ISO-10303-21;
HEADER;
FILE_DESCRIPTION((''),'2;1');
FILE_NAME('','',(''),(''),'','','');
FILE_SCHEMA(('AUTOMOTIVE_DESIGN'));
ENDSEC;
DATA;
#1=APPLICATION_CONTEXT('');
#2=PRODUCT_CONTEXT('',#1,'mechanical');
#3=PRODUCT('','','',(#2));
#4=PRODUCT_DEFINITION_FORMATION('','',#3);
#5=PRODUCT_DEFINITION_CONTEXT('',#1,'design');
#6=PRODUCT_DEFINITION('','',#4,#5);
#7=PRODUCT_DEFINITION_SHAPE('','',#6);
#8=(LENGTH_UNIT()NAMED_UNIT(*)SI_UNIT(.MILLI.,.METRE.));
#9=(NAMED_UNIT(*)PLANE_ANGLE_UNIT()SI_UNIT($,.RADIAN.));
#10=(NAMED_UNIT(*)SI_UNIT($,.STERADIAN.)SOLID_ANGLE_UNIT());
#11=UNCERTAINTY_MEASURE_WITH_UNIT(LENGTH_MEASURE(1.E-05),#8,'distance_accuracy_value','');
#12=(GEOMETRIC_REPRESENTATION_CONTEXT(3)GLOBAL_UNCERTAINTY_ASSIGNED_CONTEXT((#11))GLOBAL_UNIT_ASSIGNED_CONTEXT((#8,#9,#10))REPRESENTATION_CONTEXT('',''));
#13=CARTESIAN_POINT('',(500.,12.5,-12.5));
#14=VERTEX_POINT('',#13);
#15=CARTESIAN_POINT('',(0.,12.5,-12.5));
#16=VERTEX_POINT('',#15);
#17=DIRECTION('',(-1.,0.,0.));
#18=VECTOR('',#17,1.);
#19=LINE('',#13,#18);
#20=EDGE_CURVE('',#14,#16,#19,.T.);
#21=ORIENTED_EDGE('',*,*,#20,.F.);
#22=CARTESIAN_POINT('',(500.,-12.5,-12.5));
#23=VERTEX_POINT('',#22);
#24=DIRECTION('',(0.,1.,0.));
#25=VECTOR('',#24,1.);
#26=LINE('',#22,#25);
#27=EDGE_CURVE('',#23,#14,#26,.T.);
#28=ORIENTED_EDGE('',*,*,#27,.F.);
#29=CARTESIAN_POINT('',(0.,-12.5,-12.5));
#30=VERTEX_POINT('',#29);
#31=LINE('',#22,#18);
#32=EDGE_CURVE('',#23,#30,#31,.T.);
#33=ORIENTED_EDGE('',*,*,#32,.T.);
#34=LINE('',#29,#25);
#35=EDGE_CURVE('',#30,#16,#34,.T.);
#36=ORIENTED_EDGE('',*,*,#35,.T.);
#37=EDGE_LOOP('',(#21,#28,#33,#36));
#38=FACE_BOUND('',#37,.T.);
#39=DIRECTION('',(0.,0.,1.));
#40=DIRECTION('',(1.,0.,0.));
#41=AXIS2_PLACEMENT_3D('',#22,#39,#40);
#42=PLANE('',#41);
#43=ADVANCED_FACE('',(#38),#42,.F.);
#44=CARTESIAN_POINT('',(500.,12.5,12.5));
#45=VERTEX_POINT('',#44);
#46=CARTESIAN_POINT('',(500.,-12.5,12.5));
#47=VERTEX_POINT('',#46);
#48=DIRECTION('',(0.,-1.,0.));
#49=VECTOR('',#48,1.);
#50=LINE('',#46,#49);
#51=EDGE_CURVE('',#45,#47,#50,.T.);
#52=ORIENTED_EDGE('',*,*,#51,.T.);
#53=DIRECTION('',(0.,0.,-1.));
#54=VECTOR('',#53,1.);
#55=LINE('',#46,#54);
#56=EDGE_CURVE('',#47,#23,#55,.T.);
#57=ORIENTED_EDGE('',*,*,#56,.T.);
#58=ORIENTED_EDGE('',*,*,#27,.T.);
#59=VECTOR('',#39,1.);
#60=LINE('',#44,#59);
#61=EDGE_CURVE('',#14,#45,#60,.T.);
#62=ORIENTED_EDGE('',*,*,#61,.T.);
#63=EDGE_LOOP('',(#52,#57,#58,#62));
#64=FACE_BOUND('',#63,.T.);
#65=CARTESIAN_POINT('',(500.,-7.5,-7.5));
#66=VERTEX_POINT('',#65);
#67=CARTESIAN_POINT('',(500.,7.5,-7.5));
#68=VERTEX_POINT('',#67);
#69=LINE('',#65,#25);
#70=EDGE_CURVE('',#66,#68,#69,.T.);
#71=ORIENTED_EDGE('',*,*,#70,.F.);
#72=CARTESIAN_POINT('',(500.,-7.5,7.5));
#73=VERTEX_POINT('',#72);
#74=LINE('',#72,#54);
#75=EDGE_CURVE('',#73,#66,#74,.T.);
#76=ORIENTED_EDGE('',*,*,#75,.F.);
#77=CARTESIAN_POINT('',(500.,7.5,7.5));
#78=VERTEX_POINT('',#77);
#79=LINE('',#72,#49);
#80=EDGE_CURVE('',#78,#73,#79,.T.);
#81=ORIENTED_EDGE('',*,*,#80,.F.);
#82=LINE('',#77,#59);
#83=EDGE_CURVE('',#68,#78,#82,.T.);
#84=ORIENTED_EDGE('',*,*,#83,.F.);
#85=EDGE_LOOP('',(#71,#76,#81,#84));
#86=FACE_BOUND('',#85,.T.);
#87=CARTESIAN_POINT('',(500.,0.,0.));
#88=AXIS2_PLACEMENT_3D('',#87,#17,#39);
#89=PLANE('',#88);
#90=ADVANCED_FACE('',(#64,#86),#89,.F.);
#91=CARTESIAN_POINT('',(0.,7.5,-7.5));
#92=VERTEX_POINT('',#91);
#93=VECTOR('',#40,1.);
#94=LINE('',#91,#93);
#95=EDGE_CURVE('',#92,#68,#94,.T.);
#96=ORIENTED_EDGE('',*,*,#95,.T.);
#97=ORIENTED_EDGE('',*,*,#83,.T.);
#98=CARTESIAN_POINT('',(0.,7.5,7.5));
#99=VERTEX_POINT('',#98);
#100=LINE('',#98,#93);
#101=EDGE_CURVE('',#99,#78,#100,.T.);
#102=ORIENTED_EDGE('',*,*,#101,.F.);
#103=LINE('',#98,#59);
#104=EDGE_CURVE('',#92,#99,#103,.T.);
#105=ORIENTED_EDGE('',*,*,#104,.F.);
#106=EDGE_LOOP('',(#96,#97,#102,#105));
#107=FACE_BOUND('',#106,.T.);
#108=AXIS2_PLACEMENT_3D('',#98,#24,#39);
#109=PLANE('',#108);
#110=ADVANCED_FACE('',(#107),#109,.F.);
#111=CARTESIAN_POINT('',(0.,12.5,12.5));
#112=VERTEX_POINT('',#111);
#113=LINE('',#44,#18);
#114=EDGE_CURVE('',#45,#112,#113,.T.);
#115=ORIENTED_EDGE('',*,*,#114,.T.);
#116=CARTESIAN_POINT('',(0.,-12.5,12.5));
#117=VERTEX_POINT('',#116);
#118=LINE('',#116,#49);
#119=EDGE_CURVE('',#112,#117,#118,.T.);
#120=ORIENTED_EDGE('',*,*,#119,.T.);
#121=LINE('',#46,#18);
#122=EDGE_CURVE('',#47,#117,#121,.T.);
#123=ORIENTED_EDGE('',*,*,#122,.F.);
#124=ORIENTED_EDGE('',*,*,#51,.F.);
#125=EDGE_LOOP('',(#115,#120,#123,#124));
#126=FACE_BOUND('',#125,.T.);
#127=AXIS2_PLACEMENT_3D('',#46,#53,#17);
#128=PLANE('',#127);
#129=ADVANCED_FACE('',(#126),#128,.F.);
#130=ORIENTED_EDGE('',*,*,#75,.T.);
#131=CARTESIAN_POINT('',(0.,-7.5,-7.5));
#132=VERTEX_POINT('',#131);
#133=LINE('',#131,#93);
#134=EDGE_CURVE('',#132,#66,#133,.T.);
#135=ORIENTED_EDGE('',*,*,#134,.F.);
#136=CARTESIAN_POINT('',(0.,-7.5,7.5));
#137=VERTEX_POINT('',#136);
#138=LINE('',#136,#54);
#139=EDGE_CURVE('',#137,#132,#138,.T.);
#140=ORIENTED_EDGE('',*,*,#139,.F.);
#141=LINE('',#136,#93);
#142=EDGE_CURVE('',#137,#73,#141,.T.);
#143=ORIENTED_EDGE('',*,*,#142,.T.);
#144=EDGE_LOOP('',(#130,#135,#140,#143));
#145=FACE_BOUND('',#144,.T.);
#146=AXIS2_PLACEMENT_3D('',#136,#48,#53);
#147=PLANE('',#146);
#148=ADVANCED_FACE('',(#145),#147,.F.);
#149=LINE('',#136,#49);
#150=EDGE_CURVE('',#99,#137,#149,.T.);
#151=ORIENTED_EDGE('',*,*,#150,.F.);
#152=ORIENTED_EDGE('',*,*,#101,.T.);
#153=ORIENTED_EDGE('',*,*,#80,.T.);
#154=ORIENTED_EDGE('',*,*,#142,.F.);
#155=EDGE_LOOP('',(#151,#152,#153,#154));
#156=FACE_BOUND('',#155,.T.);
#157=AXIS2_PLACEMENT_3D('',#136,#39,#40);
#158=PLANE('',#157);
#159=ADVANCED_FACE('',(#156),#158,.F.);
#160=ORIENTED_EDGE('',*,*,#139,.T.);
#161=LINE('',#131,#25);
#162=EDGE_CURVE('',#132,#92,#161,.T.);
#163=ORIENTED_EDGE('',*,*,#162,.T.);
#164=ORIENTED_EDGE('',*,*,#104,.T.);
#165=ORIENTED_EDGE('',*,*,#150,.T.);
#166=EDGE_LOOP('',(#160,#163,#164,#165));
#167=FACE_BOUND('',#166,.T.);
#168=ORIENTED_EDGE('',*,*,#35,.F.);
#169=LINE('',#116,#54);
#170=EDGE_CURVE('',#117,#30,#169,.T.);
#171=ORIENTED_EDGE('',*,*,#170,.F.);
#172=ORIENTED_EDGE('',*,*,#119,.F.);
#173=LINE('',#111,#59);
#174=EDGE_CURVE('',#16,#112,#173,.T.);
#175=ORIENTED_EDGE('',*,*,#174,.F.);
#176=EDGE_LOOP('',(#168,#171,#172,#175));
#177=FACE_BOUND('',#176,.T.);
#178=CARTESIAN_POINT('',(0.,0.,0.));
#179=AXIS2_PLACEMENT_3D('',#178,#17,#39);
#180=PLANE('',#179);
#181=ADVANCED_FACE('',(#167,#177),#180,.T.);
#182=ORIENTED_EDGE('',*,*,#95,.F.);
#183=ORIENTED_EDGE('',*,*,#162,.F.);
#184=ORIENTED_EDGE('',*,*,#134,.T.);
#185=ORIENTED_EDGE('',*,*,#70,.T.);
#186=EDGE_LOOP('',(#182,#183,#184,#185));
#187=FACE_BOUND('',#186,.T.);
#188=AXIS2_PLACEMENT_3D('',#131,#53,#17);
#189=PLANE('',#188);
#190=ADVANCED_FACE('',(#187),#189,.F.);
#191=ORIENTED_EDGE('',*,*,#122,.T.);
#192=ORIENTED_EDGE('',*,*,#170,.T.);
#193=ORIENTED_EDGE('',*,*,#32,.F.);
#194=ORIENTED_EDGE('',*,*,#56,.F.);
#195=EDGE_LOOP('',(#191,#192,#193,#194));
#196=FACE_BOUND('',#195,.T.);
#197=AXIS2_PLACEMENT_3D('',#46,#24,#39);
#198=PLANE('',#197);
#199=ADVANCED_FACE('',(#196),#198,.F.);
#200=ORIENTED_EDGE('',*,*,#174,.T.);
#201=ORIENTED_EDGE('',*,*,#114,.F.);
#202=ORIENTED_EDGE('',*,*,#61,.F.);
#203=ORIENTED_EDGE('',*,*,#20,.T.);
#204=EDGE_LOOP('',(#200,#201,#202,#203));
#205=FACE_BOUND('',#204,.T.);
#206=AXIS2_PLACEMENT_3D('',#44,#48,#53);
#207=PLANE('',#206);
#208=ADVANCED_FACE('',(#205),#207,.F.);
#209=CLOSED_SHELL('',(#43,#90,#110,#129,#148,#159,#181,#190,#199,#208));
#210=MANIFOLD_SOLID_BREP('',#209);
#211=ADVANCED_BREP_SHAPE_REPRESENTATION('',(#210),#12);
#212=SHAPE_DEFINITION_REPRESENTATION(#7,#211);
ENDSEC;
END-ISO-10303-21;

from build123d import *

# Parameters (mm, degrees)
SKETCH1_W           = 25
SKETCH1_H           = 25
BOSS_EXTRUDE1_DEPTH = 500
SKETCH2_W           = 15
SKETCH2_H           = 15
CUT_EXTRUDE1_DEPTH  = 501


with BuildPart() as part:
    # Sketch1 → Boss-Extrude1 (new body)
    with BuildSketch(Plane(origin=(0, 0, 0), x_dir=(0, 0, -1), z_dir=(1, 0, 0))):
        Rectangle(SKETCH1_W, SKETCH1_H)
    extrude(amount=BOSS_EXTRUDE1_DEPTH)

    # Sketch2 → Cut-Extrude1 (cut, through all)
    with BuildSketch(Plane(origin=(500, 0, 0), x_dir=(0, 0, -1), z_dir=(1, 0, 0))):
        Rectangle(SKETCH2_W, SKETCH2_H)
    extrude(amount=-CUT_EXTRUDE1_DEPTH, mode=Mode.SUBTRACT)


solid = part.part
